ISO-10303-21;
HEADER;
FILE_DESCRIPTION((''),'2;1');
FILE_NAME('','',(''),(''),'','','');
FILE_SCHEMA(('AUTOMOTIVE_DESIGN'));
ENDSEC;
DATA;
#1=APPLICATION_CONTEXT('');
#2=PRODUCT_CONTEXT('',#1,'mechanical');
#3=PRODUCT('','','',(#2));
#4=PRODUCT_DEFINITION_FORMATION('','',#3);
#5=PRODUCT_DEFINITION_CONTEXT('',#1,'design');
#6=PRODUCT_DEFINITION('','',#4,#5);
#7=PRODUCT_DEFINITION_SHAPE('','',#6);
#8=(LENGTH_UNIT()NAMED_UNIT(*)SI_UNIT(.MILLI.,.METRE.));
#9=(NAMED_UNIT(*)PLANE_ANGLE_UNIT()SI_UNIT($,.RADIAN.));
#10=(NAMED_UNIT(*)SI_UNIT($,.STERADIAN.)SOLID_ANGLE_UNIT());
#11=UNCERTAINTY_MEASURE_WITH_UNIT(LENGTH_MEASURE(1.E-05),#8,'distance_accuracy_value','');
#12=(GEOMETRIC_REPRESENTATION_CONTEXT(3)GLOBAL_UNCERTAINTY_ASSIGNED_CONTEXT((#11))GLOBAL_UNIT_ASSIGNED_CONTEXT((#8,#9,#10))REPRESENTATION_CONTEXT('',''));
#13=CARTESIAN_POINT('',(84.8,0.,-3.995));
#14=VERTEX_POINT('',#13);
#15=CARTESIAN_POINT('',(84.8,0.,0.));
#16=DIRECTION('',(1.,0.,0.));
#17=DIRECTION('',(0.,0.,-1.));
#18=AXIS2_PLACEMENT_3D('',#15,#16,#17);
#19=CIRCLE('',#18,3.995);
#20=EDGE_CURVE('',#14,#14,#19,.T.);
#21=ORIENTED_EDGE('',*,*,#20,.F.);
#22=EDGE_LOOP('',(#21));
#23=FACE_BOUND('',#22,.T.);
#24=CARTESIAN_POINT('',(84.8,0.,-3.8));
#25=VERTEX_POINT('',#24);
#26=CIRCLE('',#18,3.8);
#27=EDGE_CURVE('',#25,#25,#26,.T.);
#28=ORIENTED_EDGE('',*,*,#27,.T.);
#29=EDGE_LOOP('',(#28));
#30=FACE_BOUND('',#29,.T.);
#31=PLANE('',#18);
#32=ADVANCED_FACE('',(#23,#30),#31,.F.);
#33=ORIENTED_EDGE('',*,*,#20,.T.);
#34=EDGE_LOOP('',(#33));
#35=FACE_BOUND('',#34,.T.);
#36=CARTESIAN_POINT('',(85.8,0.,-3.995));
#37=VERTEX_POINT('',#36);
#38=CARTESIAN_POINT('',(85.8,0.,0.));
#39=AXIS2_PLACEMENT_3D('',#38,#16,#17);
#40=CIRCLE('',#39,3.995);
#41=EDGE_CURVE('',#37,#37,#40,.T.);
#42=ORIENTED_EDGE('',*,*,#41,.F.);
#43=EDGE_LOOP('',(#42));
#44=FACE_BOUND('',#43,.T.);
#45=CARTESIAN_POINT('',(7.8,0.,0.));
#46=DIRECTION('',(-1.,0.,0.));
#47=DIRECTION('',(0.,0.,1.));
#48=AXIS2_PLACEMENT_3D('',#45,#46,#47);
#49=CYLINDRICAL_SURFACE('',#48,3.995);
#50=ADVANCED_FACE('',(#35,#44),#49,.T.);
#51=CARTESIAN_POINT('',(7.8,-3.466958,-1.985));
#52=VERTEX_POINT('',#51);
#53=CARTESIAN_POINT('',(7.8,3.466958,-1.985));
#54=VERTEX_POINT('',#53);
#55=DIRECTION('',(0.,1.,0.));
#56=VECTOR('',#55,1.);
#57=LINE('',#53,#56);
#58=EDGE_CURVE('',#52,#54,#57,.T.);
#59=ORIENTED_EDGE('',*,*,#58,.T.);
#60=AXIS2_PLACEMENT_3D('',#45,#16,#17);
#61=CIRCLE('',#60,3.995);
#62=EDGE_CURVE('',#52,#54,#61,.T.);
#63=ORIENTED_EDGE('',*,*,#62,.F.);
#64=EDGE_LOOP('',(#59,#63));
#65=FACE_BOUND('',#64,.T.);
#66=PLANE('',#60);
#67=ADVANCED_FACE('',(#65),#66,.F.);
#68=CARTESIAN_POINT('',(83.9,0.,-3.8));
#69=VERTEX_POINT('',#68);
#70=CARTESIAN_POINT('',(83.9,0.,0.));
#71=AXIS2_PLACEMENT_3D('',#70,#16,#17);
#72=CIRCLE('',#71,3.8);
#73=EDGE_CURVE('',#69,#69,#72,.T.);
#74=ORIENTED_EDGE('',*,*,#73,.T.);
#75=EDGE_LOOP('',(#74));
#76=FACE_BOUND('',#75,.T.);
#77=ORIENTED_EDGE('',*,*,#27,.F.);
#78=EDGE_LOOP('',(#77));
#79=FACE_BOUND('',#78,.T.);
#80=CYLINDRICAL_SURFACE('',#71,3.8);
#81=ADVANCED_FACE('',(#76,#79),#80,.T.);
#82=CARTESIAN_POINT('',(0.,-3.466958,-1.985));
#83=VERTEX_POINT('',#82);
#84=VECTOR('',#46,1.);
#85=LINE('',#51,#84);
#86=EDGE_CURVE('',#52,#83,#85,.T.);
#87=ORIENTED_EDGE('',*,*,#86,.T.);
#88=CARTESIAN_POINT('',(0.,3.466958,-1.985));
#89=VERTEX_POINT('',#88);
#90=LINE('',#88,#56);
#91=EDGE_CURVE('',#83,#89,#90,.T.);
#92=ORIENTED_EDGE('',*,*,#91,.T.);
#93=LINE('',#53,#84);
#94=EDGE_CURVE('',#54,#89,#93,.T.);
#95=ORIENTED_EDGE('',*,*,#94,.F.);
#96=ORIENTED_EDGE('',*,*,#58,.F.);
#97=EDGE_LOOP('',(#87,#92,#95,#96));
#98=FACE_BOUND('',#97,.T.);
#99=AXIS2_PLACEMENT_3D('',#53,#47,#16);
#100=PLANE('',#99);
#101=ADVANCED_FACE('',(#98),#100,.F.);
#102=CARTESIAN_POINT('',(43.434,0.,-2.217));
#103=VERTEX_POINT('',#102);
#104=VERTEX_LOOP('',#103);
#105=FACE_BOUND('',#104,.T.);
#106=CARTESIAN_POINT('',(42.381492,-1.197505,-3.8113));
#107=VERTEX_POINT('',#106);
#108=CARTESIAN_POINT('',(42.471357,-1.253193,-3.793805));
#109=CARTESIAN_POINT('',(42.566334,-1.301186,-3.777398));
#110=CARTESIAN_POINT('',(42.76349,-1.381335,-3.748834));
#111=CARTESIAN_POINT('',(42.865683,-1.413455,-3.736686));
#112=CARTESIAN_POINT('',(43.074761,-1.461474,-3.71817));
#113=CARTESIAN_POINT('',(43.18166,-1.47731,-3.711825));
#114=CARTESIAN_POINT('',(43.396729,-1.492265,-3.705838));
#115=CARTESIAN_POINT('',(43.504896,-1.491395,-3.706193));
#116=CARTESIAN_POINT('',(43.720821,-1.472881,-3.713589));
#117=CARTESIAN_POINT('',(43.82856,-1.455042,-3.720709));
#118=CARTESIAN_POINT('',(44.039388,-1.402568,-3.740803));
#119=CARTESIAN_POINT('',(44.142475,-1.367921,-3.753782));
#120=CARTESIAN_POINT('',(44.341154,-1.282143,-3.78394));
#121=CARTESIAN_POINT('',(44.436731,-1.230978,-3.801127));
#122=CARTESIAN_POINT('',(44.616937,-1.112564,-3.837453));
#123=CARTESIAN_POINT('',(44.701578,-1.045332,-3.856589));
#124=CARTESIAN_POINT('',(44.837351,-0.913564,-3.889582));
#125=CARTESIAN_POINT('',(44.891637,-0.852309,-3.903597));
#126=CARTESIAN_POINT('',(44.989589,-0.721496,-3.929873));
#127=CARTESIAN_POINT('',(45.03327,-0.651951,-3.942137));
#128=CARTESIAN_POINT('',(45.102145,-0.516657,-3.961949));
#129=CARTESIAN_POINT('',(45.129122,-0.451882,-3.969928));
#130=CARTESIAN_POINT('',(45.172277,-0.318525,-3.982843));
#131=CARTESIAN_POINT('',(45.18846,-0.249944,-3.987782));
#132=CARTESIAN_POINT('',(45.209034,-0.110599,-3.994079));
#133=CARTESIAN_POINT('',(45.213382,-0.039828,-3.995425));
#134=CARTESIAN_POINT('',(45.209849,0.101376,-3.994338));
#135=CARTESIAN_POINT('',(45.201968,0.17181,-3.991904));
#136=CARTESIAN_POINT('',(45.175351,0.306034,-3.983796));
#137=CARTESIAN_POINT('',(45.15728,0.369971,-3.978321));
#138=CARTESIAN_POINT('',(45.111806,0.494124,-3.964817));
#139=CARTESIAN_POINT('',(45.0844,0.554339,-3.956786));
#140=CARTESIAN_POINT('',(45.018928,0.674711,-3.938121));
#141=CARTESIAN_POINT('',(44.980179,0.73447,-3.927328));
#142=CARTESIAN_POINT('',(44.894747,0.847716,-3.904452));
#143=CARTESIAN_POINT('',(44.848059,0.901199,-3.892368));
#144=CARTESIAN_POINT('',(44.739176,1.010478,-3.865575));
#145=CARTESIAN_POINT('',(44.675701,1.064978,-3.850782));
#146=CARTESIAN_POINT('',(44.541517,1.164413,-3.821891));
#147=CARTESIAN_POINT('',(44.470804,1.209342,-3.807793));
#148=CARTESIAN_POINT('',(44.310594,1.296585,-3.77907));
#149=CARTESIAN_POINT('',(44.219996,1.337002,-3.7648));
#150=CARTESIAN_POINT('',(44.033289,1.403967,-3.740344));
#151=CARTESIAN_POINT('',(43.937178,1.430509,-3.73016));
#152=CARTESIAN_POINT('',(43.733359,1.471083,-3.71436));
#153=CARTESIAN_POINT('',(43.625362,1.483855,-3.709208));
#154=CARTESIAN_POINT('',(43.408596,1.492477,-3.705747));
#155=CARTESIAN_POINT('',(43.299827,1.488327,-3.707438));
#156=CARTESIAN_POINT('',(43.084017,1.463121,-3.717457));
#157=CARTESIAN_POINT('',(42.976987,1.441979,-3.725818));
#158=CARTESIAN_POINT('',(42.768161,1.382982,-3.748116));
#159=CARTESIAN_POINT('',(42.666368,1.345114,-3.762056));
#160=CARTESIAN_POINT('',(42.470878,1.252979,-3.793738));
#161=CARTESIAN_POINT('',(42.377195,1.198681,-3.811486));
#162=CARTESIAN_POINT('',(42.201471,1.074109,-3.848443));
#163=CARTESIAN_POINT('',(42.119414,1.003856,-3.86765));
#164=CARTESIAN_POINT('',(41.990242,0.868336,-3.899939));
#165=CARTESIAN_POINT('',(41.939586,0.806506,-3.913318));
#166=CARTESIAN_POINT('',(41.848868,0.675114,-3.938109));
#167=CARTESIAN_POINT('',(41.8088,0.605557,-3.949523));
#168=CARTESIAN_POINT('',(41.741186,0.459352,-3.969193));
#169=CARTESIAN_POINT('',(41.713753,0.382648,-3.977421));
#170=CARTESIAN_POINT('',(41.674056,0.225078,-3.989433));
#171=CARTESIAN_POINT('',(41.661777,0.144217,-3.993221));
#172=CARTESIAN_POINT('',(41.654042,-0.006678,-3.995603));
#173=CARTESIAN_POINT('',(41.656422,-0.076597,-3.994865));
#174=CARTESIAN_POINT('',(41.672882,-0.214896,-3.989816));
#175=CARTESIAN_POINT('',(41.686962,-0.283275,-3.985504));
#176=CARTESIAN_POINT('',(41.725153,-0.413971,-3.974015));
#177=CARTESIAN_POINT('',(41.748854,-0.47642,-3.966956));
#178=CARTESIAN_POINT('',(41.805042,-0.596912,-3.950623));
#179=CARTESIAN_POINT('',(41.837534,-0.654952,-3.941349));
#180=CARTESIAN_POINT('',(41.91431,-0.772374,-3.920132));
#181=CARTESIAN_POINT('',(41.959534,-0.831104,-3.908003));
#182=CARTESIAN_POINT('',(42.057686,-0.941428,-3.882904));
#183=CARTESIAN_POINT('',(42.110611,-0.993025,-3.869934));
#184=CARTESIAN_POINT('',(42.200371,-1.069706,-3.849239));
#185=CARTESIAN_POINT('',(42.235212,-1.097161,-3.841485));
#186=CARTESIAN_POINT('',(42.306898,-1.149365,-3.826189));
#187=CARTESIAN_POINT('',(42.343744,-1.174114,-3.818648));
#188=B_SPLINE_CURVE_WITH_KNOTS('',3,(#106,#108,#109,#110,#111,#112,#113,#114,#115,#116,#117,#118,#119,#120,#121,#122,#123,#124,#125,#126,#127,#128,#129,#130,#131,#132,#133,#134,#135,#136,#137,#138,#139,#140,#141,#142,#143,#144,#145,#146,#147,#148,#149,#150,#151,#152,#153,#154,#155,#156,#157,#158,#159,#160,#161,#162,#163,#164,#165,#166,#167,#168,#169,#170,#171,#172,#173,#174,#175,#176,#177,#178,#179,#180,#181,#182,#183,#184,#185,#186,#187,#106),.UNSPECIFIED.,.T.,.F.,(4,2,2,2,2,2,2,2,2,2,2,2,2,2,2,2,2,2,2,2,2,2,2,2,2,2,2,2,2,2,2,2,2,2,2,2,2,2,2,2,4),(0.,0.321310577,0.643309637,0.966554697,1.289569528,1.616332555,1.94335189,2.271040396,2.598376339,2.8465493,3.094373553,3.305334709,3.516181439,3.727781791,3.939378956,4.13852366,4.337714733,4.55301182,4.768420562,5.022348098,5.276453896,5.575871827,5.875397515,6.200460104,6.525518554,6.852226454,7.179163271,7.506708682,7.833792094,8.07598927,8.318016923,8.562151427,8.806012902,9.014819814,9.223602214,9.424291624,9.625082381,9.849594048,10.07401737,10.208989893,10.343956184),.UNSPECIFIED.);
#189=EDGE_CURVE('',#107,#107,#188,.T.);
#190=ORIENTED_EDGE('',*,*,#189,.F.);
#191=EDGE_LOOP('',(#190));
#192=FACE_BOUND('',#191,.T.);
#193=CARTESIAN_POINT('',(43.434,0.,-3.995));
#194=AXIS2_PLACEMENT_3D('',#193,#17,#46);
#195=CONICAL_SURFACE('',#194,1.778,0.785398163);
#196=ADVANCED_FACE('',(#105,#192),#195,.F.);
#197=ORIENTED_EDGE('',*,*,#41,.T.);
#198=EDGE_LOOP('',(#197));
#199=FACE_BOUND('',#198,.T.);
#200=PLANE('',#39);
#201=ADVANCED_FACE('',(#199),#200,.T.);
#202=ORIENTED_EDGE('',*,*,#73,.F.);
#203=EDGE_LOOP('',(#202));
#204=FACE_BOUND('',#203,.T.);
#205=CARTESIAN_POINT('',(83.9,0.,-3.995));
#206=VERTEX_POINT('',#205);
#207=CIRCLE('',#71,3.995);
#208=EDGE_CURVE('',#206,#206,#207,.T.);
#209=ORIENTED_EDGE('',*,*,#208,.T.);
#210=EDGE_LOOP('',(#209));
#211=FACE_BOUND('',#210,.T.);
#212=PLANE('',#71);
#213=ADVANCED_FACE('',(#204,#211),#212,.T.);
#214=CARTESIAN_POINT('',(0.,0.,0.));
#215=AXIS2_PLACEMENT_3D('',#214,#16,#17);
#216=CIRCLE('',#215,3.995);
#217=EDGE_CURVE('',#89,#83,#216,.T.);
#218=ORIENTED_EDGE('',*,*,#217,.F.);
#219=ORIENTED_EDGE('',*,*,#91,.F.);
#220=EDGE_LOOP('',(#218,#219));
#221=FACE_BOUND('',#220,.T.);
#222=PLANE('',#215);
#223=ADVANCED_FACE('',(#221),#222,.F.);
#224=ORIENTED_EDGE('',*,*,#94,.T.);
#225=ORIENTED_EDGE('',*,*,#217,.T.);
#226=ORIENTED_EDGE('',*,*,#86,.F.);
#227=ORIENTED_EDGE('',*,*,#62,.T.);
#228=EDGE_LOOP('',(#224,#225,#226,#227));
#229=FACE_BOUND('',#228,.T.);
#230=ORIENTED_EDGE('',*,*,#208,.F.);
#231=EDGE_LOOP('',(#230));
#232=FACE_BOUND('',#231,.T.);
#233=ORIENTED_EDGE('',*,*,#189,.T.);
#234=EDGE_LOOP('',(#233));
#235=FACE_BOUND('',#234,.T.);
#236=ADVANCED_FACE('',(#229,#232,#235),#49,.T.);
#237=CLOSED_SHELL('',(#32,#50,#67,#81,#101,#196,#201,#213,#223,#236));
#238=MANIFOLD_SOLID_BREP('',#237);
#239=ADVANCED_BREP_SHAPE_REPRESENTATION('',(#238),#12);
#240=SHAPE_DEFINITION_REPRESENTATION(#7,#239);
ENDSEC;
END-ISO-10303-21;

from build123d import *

# Parameters (mm, degrees)
BOSS_EXTRUDE1_DEPTH = 7.8
SKETCH2_R           = 3.995
BOSS_EXTRUDE2_DEPTH = 78
CUT_EXTRUDE1_START  = -1
SKETCH3_R           = 5
SKETCH3_R_2         = 3.8
CUT_EXTRUDE1_DEPTH  = 0.9


with BuildPart() as part:
    # Sketch1 → Boss-Extrude1 (new body)
    with BuildSketch(Plane(origin=(0, 0, 0), x_dir=(0, 0, -1), z_dir=(1, 0, 0))):
        with BuildLine():
            Line((1.985, 3.466958321), (1.985, -3.466958321))
            ThreePointArc((1.985, -3.466958321), (-3.995, 0), (1.985, 3.466958321))
        make_face()
    extrude(amount=BOSS_EXTRUDE1_DEPTH)

    # Sketch2 → Boss-Extrude2 (add)
    with BuildSketch(Plane(origin=(7.8, 0, 0), x_dir=(0, 0, -1), z_dir=(1, 0, 0))):
        with Locations(Location((0, 0, 0), (0, 0, 299.79320791))):
            Circle(SKETCH2_R)
    extrude(amount=BOSS_EXTRUDE2_DEPTH)

    # Sketch3 → Cut-Extrude1 (cut)
    with BuildSketch(Plane(origin=(85.8, 0, 0), x_dir=(0, 0, -1), z_dir=(1, 0, 0)).offset(CUT_EXTRUDE1_START)):
        Circle(SKETCH3_R)
        Circle(SKETCH3_R_2, mode=Mode.SUBTRACT)
    extrude(amount=-CUT_EXTRUDE1_DEPTH, mode=Mode.SUBTRACT)

    # Cut-Extrude2 cone 1 section (through the dimple's axis) → Cut-Extrude2 (revolve, cut)
    with BuildSketch(Plane(origin=(43.434, 0, -3.995), x_dir=(0, 1, 0), z_dir=(1, 0, 0))):
        Polygon((0, 0), (1.778, 0), (0, 1.778), align=None)
    revolve(axis=Axis((43.434, 0, -3.995), (0, 0, 1)), mode=Mode.SUBTRACT)


solid = part.part
